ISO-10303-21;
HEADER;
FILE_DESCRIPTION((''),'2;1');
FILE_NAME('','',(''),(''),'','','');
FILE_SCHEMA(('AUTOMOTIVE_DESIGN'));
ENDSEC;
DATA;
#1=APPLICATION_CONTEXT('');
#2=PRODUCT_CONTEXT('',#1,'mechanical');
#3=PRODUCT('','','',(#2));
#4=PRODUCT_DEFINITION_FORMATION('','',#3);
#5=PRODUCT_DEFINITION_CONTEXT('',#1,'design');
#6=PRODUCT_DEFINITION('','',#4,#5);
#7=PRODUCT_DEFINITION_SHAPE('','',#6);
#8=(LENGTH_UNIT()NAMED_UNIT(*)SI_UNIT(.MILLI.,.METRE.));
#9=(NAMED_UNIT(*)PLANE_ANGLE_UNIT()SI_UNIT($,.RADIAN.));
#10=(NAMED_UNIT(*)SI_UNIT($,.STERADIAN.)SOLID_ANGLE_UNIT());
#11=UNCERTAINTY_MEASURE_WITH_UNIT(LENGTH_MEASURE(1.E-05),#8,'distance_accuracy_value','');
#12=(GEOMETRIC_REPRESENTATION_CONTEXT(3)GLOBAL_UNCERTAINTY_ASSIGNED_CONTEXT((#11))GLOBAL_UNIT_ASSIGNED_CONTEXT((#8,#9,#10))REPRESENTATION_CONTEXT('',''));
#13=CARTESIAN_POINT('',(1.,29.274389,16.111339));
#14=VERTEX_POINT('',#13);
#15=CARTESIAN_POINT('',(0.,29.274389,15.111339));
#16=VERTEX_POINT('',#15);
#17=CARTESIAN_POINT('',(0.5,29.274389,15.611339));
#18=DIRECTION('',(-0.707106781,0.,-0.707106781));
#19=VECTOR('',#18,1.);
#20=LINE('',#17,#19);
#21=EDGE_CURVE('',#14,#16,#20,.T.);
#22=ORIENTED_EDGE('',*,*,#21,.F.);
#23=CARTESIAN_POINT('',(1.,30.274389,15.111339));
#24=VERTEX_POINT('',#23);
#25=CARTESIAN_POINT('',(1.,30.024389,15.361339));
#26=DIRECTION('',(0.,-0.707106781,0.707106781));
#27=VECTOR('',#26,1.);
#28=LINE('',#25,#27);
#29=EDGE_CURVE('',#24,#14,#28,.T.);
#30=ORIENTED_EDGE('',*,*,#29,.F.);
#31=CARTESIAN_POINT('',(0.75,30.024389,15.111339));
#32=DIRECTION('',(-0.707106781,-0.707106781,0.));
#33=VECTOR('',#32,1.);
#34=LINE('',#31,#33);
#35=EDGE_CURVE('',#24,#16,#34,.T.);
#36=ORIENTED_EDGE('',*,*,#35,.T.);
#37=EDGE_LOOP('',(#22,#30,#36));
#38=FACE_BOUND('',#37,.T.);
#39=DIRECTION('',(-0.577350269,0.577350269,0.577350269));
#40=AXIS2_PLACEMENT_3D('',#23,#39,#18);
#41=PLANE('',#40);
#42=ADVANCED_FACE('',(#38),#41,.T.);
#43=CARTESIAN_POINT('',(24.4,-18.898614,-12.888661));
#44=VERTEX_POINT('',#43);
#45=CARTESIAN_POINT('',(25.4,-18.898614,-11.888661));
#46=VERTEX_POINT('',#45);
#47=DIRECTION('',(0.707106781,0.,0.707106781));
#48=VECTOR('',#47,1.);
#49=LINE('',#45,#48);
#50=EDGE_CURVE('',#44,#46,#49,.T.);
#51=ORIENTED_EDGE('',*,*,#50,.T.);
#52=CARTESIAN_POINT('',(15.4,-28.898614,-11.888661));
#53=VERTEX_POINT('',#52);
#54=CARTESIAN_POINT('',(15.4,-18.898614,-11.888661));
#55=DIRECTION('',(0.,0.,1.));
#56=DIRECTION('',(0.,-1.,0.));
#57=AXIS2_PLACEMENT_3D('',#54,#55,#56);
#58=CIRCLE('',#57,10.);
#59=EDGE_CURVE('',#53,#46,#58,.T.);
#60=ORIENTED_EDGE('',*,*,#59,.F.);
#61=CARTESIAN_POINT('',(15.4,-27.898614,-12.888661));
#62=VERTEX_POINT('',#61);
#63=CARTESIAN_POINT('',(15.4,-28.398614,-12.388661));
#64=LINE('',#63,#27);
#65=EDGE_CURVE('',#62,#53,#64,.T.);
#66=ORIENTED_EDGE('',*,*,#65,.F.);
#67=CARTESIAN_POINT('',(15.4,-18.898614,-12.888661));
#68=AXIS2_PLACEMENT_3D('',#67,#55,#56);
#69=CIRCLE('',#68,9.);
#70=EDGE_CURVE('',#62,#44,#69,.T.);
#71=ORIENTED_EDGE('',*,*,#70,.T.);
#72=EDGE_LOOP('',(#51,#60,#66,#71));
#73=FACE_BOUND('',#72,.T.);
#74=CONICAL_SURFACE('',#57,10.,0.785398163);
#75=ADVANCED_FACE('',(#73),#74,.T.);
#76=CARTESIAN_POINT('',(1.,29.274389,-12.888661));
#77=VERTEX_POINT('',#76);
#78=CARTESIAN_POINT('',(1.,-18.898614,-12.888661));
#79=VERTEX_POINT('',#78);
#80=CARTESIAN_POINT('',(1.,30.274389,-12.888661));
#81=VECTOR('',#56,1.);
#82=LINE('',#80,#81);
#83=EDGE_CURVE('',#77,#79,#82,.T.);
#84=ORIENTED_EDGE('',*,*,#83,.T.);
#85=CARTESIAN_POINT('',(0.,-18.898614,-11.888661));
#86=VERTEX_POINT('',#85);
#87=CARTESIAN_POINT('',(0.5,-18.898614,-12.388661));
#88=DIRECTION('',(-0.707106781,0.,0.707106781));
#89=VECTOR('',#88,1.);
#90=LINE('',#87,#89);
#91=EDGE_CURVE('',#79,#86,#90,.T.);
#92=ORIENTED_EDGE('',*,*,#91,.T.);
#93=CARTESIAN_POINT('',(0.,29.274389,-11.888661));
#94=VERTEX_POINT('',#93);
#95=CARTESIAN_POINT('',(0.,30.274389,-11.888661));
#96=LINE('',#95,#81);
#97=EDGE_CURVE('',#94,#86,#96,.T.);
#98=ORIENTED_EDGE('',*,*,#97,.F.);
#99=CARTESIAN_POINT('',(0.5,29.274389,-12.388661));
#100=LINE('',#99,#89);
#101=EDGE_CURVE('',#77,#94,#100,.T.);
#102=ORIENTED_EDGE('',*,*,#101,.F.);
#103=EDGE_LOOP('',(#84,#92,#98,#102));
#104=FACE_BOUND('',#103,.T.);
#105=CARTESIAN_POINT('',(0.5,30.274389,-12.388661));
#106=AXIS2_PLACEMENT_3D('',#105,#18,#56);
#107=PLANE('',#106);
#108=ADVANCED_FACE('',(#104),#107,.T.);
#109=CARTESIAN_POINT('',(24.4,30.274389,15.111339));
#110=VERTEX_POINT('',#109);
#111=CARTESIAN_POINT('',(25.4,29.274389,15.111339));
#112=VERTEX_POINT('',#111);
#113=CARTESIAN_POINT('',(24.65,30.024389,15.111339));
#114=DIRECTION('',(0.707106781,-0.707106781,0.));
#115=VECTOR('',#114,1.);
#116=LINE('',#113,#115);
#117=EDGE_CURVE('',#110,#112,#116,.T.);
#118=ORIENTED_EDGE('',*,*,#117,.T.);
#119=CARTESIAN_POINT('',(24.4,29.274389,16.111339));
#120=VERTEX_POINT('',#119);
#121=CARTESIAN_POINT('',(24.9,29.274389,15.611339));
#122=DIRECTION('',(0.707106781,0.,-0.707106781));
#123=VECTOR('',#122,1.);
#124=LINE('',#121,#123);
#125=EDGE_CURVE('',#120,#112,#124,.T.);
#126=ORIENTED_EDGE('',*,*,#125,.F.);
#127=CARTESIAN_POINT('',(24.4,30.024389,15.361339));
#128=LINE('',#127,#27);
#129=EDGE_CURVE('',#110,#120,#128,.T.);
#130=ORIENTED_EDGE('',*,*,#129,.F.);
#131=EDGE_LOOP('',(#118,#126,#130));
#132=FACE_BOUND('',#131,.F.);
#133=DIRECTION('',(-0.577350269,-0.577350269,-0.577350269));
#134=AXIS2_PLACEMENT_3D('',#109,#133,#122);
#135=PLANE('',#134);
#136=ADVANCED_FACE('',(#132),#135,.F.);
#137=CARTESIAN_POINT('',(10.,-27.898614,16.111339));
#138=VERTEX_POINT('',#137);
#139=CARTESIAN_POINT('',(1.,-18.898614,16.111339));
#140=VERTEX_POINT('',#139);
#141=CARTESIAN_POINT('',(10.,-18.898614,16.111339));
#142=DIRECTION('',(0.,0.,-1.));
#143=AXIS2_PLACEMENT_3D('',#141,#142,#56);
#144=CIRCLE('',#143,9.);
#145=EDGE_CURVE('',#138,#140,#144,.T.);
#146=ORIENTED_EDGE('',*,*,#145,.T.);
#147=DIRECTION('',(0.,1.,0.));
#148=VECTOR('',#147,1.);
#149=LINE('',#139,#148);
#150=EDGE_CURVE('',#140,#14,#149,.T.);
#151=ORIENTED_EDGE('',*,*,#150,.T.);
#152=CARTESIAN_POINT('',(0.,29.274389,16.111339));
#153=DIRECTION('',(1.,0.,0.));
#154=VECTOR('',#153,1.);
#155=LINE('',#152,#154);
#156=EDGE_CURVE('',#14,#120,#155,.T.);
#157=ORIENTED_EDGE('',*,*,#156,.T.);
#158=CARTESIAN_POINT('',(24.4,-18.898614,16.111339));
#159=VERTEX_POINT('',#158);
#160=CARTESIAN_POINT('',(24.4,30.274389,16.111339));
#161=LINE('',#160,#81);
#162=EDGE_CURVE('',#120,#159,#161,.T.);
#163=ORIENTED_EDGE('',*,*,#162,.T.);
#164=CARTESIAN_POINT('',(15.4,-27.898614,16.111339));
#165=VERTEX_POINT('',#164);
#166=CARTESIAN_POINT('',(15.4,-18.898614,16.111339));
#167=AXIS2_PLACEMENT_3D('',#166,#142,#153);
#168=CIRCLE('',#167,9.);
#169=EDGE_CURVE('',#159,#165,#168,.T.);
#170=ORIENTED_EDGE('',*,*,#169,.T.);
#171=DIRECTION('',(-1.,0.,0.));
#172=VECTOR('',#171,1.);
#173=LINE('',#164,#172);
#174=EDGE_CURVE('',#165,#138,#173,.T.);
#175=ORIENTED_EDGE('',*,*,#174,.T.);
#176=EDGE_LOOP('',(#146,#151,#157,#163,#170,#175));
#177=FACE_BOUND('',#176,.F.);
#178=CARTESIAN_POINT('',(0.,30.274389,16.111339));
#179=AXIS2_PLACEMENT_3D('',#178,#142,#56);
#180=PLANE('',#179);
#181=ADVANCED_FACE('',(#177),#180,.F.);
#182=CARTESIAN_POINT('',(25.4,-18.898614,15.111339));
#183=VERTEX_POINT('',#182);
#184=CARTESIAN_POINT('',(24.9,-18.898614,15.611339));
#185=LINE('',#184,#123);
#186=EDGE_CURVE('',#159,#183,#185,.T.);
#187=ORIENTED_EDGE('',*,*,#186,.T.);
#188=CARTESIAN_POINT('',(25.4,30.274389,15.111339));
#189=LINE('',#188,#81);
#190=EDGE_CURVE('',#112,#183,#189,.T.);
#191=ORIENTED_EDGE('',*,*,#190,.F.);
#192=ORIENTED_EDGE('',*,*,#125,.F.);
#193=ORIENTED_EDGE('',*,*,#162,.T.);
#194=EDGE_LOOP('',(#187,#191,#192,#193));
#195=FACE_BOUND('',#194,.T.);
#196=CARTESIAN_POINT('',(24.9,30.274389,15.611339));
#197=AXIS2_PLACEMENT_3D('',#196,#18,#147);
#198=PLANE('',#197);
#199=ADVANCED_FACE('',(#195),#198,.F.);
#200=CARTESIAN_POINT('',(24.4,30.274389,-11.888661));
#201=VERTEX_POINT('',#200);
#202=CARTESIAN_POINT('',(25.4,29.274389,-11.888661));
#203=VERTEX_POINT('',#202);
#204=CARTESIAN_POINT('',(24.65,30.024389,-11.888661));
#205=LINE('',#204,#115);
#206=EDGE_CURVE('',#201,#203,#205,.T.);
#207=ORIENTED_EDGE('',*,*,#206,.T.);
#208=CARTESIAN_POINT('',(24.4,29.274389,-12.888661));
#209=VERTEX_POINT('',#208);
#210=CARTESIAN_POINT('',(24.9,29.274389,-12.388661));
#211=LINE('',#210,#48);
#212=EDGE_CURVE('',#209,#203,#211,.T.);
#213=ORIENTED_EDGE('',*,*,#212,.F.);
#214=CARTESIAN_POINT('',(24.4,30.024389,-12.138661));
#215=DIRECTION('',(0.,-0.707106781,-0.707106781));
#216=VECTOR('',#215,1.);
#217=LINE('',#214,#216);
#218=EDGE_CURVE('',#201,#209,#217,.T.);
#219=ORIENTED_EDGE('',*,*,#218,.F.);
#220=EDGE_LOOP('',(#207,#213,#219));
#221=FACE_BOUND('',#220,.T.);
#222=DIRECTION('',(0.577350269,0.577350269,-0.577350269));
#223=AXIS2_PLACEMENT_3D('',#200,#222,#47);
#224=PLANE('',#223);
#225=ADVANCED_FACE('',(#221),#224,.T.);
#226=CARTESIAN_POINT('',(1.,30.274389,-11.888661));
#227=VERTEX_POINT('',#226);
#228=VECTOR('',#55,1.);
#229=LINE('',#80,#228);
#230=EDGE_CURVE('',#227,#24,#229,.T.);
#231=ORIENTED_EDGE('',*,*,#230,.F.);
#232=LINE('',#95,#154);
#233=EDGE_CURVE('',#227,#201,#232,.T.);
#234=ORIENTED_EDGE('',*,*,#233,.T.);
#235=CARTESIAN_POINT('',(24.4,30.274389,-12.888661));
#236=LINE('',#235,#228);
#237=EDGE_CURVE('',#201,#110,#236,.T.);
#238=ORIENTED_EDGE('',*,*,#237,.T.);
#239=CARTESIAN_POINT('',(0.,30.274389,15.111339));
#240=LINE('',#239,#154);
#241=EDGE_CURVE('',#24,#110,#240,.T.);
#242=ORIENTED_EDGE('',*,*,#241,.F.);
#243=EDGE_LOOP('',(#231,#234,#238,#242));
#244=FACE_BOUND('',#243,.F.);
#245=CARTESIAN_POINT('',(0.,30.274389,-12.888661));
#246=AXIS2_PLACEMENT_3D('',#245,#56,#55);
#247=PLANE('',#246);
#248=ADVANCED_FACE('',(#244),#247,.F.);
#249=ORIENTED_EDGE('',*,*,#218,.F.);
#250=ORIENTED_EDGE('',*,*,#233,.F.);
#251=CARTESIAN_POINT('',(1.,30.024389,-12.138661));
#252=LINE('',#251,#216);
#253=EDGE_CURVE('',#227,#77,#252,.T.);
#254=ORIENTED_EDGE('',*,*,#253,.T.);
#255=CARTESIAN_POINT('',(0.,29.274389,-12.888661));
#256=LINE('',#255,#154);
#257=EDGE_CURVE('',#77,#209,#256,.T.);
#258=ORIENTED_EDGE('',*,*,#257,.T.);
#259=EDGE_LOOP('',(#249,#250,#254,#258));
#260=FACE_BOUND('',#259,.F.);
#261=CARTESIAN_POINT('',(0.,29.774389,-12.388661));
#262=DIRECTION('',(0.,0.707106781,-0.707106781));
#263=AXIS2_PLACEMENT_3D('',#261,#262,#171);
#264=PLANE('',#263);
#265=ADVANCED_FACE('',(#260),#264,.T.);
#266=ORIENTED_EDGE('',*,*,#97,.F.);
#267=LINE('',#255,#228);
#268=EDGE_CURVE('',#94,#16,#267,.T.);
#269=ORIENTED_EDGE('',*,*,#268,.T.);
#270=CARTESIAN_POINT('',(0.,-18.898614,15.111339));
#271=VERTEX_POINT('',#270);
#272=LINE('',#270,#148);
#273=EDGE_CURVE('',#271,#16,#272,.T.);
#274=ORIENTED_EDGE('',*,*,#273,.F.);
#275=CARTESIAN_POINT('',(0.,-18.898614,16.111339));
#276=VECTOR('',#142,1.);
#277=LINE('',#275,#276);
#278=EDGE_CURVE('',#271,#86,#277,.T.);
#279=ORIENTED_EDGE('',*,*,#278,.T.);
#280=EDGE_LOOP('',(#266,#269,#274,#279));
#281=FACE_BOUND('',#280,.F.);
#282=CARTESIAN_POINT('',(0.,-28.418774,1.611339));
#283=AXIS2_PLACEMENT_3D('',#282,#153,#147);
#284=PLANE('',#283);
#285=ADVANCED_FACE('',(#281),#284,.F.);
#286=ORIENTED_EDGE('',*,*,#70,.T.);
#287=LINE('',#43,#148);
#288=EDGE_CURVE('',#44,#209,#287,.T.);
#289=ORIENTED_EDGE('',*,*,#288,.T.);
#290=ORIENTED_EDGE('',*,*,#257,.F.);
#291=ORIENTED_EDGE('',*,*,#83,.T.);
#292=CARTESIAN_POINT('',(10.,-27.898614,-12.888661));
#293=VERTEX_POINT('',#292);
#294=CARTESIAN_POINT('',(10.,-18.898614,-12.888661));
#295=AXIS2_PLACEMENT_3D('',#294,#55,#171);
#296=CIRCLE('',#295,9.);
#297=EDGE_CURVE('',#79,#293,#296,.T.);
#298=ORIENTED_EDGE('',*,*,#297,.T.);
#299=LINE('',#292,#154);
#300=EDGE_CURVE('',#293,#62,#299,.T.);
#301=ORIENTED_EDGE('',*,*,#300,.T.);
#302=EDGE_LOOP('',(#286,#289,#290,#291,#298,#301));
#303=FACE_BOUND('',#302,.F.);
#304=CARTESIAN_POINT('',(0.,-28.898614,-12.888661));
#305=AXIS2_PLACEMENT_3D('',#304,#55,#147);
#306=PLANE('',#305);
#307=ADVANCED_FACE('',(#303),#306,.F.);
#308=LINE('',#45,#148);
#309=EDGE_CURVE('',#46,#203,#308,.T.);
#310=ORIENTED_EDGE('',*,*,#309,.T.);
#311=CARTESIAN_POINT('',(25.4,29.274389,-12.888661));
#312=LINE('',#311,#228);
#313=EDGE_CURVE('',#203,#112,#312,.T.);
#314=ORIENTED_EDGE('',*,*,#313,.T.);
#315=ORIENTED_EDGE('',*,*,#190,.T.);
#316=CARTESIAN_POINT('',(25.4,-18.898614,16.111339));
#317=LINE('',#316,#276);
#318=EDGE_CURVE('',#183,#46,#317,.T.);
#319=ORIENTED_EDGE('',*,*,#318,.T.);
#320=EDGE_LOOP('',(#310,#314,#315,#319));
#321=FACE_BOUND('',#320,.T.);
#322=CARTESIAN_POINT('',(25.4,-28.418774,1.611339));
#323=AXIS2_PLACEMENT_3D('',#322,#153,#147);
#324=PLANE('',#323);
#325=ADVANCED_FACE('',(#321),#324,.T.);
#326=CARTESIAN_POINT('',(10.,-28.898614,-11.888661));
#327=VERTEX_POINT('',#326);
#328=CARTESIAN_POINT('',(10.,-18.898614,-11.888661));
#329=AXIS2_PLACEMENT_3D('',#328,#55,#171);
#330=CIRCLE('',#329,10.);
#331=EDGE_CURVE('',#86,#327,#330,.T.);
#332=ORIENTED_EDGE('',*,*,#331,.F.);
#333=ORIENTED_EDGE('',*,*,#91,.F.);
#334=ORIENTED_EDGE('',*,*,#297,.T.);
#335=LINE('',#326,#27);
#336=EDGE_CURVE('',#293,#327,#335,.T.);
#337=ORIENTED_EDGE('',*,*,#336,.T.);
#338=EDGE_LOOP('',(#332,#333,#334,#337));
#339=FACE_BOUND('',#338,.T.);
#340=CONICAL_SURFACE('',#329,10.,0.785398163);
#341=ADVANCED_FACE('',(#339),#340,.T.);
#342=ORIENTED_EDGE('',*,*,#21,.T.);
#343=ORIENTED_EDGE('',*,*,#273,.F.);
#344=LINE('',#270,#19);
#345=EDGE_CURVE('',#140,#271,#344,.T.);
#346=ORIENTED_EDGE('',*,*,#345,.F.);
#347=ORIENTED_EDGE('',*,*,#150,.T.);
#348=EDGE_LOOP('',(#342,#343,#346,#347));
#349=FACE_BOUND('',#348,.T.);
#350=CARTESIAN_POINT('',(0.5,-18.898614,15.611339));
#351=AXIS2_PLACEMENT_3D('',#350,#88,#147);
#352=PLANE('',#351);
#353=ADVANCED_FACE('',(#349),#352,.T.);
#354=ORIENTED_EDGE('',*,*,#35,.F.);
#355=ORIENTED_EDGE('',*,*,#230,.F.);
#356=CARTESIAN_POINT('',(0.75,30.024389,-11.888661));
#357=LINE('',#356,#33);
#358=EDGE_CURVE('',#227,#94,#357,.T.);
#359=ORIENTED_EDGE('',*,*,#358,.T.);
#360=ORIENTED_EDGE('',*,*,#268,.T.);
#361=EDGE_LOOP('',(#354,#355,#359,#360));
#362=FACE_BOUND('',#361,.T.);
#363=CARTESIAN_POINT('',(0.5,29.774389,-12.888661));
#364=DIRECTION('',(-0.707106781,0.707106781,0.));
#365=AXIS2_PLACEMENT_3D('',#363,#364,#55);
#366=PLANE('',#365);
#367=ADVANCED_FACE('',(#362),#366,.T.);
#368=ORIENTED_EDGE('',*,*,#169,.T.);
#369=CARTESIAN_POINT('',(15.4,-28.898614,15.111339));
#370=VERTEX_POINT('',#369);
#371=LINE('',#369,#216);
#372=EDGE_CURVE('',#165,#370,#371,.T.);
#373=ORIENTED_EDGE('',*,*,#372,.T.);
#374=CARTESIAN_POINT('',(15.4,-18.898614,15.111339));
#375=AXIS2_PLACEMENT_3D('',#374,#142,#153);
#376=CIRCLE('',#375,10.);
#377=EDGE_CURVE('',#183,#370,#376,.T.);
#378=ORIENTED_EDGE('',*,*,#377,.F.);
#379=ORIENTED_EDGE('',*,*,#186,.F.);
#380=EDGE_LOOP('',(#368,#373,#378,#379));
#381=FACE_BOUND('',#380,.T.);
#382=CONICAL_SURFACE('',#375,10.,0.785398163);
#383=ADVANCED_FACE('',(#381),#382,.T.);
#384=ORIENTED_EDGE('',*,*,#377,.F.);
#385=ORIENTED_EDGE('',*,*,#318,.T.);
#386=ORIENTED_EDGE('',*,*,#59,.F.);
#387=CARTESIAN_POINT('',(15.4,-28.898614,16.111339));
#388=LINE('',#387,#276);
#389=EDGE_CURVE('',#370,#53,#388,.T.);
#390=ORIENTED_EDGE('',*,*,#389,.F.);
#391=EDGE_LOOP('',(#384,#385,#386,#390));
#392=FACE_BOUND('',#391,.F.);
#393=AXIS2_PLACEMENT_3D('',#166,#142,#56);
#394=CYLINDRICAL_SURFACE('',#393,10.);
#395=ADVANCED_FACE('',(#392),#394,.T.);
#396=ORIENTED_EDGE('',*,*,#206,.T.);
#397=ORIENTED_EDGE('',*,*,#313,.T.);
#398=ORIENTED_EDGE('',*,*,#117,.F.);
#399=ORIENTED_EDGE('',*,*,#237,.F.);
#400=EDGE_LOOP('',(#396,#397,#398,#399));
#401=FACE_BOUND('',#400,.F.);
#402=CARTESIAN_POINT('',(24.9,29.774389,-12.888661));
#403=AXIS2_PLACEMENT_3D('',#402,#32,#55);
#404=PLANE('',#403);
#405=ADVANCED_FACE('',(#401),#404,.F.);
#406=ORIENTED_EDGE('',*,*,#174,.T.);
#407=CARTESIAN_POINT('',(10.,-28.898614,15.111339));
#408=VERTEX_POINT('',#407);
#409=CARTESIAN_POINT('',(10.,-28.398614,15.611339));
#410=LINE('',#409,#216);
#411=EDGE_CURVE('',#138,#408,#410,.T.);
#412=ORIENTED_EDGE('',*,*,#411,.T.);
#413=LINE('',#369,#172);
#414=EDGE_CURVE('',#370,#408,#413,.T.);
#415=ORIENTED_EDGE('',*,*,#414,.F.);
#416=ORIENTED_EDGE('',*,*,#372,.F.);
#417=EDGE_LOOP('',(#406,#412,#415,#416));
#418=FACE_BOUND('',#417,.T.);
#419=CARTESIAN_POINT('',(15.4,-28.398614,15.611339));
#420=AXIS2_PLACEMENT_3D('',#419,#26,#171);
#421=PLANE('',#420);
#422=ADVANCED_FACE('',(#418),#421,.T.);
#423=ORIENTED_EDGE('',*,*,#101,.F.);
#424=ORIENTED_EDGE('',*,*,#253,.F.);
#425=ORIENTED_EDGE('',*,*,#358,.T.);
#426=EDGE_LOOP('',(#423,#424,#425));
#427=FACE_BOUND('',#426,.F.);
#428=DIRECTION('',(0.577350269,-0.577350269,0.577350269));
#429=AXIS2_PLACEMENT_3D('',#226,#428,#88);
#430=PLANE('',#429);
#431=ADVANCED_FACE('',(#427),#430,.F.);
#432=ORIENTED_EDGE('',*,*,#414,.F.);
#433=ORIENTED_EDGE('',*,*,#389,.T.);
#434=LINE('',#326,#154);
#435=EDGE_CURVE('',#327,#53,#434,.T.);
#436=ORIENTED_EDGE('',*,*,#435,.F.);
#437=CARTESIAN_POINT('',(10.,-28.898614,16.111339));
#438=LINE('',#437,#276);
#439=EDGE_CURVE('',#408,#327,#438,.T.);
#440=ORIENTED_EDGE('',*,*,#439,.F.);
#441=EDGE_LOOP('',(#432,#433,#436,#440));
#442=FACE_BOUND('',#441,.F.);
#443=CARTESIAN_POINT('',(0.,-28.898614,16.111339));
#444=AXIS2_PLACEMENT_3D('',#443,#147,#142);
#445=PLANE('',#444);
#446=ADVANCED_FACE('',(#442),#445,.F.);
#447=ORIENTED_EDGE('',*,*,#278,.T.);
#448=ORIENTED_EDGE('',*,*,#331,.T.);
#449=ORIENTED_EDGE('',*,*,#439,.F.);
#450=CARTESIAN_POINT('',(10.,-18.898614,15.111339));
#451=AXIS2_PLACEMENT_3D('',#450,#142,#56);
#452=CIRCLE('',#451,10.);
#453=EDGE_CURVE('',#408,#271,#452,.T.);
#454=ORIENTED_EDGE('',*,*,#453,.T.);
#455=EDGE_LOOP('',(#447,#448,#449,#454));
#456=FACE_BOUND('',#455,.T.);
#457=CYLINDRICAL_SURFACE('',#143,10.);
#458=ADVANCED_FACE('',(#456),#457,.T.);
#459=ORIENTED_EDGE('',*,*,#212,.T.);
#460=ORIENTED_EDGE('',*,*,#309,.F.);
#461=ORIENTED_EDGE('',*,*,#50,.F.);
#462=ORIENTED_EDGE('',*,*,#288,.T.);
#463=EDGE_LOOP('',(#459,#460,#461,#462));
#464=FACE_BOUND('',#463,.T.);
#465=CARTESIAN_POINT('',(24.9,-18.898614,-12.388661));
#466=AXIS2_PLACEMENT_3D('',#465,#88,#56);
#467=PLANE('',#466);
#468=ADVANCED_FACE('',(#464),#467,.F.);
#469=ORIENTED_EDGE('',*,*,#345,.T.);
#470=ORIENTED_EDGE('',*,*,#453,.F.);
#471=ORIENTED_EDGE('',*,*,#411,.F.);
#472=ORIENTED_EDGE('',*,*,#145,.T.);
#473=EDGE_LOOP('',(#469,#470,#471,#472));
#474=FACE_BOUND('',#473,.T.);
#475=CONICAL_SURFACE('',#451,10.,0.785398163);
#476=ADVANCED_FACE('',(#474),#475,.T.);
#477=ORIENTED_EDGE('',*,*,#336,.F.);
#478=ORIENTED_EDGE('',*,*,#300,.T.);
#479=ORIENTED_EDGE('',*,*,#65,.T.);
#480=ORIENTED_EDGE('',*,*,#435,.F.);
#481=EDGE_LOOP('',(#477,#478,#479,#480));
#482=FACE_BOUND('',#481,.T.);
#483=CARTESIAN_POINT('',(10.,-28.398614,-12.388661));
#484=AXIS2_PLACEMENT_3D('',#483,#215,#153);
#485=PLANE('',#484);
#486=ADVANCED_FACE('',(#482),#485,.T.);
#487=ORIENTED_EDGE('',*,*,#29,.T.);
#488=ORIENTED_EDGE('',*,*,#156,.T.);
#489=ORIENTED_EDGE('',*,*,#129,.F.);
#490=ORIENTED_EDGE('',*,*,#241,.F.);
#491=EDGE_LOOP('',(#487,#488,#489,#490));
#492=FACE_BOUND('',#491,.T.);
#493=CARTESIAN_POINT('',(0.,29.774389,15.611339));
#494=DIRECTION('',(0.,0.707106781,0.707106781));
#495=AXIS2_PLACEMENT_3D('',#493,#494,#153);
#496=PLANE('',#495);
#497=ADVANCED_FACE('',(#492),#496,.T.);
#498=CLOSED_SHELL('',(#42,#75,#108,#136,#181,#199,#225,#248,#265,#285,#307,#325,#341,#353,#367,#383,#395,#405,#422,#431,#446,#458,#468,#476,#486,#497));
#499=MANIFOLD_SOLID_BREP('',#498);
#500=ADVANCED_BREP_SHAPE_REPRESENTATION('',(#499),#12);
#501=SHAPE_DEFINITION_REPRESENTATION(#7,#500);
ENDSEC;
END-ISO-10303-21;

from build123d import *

# Parameters (mm, degrees)
F0_W     = 44.5
F0_H     = 29
F1_DEPTH = 25.4
F2_R     = 10
F3_SIZE  = 1


with BuildPart() as f1:
    # F0 (on Right) → F1 (new body)
    with BuildSketch(Plane.YZ):
        with BuildLine():
            ThreePointArc((-27.7348309755, -3.6565796257), (-28.7256107674, 1.6113392583), (-27.7348309755, 6.8792581423))
            Line((-27.7348309755, 6.8792581423), (-27.7348309755, 16.1113392583))
            Line((-27.7348309755, 16.1113392583), (-28.8986135274, 16.1113392583))
            Line((-28.8986135274, 16.1113392583), (-28.8986135274, -12.8886607417))
            Line((-28.8986135274, -12.8886607417), (-27.7348309755, -12.8886607417))
            Line((-27.7348309755, -12.8886607417), (-27.7348309755, -3.6565796257))
        make_face()
        with BuildLine():
            ThreePointArc((-27.7348309755, 6.8792581423), (-22.4068446652, 13.5828643035), (-14.2256107674, 16.1113392583))
            Line((-14.2256107674, 16.1113392583), (-27.7348309755, 16.1113392583))
            Line((-27.7348309755, 16.1113392583), (-27.7348309755, 6.8792581423))
        make_face()
        with BuildLine():
            Line((-27.7348309755, -12.8886607417), (-14.2256107674, -12.8886607417))
            ThreePointArc((-14.2256107674, -12.8886607417), (-22.4068446652, -10.360185787), (-27.7348309755, -3.6565796257))
            Line((-27.7348309755, -3.6565796257), (-27.7348309755, -12.8886607417))
        make_face()
        with BuildLine():
            Line((-14.2256107674, -12.8886607417), (-14.2256107674, 16.1113392583))
            ThreePointArc((-14.2256107674, 16.1113392583), (-22.4068446652, 13.5828643035), (-27.7348309755, 6.8792581423))
            Line((-27.7348309755, 6.8792581423), (-27.7348309755, -3.6565796257))
            ThreePointArc((-27.7348309755, -3.6565796257), (-22.4068446652, -10.360185787), (-14.2256107674, -12.8886607417))
        make_face()
        with BuildLine():
            Line((-27.7348309755, -3.6565796257), (-27.7348309755, 6.8792581423))
            ThreePointArc((-27.7348309755, 6.8792581423), (-28.7256107674, 1.6113392583), (-27.7348309755, -3.6565796257))
        make_face()
        with Locations((8.0243892326, 1.6113392583)):
            Rectangle(F0_W, F0_H)
    extrude(amount=F1_DEPTH)

    # F2
    f2_edges = [f1.edges().sort_by_distance(p)[0] for p in [
        (25.4, -28.898614, 1.611339),
        (0, -28.898614, 1.611339),
    ]]
    fillet(f2_edges, radius=F2_R)

    # F3
    f3_edges = [f1.edges().sort_by_distance(p)[0] for p in [
        (25.4, 5.687888, 16.111339),
        (25.4, 5.687888, -12.888661),
        (12.7, 30.274389, 16.111339),
        (12.7, 30.274389, -12.888661),
        (25.4, 30.274389, 1.611339),
        (0, 30.274389, 1.611339),
    ]]
    chamfer(f3_edges, length=F3_SIZE)


solid = f1.part
